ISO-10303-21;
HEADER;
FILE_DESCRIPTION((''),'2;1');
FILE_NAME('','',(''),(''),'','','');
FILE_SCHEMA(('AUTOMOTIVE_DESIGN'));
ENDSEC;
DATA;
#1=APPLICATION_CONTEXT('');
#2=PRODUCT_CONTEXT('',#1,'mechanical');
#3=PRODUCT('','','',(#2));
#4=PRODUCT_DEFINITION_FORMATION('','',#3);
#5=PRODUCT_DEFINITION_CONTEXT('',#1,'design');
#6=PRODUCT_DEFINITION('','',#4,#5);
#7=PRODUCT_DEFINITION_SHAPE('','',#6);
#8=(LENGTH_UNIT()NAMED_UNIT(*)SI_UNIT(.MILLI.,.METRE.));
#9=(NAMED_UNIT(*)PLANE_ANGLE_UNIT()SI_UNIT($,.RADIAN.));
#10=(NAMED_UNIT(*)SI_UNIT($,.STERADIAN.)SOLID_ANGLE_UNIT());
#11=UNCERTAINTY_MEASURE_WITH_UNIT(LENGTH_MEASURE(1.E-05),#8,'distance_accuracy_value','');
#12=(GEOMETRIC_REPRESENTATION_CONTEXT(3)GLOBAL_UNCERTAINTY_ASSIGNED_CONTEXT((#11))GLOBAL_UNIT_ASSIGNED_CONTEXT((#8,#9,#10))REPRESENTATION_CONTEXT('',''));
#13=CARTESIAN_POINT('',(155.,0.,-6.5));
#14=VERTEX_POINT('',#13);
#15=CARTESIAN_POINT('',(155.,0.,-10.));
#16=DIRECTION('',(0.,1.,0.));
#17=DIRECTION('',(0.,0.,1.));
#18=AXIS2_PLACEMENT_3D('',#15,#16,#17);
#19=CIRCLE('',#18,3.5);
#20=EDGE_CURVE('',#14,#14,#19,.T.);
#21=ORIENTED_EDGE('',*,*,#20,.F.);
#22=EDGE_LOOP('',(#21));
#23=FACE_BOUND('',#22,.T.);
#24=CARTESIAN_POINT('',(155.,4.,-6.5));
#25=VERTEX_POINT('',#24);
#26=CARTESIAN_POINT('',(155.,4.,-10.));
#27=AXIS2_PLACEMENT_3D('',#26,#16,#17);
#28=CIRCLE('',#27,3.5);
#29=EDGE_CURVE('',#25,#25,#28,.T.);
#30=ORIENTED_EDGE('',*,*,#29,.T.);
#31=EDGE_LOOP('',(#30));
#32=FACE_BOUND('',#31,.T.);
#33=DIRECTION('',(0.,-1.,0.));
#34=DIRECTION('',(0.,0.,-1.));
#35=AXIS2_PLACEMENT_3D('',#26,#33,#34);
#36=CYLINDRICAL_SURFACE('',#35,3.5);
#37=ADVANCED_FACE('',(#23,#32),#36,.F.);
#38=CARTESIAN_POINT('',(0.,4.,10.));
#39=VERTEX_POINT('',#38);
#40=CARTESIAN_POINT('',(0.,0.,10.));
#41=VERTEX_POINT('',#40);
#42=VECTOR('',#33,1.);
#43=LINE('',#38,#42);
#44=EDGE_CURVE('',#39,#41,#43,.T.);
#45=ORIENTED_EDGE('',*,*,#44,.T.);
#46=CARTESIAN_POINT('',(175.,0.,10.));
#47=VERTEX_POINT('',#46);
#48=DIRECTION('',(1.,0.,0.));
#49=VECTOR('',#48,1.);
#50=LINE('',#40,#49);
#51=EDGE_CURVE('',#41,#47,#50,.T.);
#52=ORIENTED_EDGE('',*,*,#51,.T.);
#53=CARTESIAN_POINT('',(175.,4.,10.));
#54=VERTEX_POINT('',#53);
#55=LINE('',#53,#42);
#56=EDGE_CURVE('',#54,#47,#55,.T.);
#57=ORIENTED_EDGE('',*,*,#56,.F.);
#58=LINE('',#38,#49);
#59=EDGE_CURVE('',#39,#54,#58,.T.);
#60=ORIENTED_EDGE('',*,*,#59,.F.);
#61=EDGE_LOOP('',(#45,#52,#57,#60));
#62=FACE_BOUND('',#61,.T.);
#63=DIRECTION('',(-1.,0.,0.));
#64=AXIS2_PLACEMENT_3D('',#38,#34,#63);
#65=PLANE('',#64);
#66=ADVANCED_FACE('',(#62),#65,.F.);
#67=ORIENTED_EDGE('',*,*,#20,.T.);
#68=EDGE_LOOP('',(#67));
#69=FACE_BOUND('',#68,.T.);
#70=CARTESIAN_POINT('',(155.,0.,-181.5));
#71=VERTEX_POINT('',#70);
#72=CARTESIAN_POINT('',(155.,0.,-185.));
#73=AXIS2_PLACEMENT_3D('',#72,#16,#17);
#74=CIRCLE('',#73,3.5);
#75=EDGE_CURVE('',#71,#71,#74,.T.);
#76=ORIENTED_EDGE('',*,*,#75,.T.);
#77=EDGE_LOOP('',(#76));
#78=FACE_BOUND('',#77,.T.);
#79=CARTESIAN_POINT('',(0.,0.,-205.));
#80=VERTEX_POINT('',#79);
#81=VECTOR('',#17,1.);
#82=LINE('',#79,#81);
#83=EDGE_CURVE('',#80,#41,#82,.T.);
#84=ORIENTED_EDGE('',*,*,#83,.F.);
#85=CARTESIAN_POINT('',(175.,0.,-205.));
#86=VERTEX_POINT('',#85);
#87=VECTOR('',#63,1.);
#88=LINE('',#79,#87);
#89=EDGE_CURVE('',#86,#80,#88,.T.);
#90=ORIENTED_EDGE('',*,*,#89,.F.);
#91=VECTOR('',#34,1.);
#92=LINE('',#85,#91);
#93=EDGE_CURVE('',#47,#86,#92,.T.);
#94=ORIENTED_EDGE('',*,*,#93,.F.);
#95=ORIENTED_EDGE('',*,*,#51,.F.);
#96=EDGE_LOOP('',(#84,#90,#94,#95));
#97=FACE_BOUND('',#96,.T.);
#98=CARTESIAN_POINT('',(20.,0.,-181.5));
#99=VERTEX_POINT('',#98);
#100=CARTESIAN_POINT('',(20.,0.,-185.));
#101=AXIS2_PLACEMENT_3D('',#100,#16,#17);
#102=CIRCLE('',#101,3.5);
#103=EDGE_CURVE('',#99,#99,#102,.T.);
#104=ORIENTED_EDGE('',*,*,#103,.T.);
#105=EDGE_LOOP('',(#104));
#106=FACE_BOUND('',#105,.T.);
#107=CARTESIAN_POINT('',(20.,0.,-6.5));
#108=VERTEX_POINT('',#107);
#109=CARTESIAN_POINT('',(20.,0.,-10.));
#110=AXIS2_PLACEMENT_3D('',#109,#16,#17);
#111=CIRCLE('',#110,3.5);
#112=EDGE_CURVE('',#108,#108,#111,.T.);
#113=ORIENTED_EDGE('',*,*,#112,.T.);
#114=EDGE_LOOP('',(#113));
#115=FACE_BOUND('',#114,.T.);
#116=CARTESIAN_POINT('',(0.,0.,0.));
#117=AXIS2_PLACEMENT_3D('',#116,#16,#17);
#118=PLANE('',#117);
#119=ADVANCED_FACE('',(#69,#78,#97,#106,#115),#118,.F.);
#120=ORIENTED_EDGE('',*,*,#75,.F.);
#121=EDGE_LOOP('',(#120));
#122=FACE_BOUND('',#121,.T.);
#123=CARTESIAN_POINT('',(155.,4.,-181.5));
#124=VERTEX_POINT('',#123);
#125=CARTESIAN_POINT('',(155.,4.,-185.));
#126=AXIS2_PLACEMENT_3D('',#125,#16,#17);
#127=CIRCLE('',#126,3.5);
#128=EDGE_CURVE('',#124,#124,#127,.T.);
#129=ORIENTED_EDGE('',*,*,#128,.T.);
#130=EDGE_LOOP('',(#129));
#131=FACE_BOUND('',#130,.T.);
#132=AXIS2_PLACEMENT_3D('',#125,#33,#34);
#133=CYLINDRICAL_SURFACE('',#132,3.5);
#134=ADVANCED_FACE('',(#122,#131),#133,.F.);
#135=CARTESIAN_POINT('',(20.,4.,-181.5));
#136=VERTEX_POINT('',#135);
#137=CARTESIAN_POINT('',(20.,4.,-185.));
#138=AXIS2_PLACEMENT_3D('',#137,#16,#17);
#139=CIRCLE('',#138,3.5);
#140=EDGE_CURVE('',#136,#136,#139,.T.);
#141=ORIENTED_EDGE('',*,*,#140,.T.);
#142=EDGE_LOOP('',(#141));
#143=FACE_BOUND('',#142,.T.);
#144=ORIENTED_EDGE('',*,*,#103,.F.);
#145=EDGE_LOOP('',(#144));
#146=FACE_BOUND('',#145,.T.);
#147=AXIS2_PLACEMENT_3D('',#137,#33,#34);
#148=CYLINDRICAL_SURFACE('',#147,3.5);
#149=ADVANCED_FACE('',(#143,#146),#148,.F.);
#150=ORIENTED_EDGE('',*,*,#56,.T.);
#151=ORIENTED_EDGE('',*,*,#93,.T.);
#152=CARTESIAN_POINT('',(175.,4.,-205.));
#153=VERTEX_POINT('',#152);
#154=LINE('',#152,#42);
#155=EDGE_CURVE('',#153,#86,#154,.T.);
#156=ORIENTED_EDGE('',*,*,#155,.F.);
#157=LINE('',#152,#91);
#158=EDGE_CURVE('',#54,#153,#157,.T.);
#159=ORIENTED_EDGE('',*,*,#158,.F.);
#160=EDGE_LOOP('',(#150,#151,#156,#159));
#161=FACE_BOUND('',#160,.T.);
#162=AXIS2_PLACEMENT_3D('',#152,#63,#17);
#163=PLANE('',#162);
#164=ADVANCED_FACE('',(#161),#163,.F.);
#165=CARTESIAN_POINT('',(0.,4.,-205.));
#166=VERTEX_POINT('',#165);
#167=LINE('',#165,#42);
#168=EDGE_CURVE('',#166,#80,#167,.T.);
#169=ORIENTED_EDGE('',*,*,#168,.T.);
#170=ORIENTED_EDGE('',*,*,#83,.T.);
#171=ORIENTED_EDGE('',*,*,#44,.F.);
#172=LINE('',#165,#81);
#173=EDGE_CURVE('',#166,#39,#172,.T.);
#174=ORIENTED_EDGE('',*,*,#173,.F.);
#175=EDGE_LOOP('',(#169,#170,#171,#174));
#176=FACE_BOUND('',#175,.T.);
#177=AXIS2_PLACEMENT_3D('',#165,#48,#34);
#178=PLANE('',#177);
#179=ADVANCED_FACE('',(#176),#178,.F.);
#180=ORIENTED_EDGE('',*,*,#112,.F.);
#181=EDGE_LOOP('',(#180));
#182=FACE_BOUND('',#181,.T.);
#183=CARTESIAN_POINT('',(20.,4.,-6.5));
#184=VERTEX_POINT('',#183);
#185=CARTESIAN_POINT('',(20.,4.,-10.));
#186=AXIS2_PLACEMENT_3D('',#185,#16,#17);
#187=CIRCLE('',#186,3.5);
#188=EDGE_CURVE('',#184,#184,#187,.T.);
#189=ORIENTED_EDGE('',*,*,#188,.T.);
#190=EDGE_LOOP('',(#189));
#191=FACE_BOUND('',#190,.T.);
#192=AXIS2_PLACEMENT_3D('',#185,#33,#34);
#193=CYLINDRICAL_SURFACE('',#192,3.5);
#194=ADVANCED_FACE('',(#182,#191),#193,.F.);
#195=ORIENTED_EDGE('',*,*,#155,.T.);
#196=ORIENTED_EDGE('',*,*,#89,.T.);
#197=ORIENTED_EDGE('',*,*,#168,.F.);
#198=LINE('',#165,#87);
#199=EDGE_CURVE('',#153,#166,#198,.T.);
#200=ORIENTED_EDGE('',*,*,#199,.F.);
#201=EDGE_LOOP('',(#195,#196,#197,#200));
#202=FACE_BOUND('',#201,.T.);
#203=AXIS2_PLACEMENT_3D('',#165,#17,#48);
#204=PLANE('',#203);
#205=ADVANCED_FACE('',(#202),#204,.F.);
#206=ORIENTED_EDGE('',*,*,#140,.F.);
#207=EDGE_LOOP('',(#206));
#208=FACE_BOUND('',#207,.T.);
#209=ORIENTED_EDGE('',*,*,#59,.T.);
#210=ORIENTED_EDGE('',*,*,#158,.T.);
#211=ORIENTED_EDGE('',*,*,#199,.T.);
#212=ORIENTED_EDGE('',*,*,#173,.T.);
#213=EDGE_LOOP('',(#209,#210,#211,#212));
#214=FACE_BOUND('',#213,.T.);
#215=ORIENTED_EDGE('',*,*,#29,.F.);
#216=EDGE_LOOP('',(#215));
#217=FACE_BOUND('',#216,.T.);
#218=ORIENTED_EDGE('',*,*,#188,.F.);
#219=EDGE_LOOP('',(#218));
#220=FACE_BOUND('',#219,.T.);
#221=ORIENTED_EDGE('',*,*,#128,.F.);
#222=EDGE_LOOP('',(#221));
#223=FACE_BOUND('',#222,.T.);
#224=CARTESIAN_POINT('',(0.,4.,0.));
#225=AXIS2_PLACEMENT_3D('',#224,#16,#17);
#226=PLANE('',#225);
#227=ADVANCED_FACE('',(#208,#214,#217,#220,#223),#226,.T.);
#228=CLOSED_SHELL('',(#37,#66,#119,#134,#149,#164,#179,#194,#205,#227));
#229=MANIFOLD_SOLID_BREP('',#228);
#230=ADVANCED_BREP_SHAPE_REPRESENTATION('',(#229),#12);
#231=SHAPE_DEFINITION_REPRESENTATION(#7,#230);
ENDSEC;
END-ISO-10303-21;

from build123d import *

# Parameters (mm, degrees)
SKETCH1_W           = 175
SKETCH1_H           = 215
SKETCH1_R           = 3.5
BOSS_EXTRUDE1_DEPTH = 4


with BuildPart() as part:
    # Sketch1 → Boss-Extrude1 (new body)
    with BuildSketch(Plane(origin=(0, 0, 0), x_dir=(1, 0, 0), z_dir=(0, 1, 0))):
        with Locations((87.5, 97.5)):
            Rectangle(SKETCH1_W, SKETCH1_H)
        with Locations((20, 10)):
            Circle(SKETCH1_R, mode=Mode.SUBTRACT)
        with Locations((155, 10)):
            Circle(SKETCH1_R, mode=Mode.SUBTRACT)
        with Locations((20, 185)):
            Circle(SKETCH1_R, mode=Mode.SUBTRACT)
        with Locations((155, 185)):
            Circle(SKETCH1_R, mode=Mode.SUBTRACT)
    extrude(amount=BOSS_EXTRUDE1_DEPTH)


solid = part.part
